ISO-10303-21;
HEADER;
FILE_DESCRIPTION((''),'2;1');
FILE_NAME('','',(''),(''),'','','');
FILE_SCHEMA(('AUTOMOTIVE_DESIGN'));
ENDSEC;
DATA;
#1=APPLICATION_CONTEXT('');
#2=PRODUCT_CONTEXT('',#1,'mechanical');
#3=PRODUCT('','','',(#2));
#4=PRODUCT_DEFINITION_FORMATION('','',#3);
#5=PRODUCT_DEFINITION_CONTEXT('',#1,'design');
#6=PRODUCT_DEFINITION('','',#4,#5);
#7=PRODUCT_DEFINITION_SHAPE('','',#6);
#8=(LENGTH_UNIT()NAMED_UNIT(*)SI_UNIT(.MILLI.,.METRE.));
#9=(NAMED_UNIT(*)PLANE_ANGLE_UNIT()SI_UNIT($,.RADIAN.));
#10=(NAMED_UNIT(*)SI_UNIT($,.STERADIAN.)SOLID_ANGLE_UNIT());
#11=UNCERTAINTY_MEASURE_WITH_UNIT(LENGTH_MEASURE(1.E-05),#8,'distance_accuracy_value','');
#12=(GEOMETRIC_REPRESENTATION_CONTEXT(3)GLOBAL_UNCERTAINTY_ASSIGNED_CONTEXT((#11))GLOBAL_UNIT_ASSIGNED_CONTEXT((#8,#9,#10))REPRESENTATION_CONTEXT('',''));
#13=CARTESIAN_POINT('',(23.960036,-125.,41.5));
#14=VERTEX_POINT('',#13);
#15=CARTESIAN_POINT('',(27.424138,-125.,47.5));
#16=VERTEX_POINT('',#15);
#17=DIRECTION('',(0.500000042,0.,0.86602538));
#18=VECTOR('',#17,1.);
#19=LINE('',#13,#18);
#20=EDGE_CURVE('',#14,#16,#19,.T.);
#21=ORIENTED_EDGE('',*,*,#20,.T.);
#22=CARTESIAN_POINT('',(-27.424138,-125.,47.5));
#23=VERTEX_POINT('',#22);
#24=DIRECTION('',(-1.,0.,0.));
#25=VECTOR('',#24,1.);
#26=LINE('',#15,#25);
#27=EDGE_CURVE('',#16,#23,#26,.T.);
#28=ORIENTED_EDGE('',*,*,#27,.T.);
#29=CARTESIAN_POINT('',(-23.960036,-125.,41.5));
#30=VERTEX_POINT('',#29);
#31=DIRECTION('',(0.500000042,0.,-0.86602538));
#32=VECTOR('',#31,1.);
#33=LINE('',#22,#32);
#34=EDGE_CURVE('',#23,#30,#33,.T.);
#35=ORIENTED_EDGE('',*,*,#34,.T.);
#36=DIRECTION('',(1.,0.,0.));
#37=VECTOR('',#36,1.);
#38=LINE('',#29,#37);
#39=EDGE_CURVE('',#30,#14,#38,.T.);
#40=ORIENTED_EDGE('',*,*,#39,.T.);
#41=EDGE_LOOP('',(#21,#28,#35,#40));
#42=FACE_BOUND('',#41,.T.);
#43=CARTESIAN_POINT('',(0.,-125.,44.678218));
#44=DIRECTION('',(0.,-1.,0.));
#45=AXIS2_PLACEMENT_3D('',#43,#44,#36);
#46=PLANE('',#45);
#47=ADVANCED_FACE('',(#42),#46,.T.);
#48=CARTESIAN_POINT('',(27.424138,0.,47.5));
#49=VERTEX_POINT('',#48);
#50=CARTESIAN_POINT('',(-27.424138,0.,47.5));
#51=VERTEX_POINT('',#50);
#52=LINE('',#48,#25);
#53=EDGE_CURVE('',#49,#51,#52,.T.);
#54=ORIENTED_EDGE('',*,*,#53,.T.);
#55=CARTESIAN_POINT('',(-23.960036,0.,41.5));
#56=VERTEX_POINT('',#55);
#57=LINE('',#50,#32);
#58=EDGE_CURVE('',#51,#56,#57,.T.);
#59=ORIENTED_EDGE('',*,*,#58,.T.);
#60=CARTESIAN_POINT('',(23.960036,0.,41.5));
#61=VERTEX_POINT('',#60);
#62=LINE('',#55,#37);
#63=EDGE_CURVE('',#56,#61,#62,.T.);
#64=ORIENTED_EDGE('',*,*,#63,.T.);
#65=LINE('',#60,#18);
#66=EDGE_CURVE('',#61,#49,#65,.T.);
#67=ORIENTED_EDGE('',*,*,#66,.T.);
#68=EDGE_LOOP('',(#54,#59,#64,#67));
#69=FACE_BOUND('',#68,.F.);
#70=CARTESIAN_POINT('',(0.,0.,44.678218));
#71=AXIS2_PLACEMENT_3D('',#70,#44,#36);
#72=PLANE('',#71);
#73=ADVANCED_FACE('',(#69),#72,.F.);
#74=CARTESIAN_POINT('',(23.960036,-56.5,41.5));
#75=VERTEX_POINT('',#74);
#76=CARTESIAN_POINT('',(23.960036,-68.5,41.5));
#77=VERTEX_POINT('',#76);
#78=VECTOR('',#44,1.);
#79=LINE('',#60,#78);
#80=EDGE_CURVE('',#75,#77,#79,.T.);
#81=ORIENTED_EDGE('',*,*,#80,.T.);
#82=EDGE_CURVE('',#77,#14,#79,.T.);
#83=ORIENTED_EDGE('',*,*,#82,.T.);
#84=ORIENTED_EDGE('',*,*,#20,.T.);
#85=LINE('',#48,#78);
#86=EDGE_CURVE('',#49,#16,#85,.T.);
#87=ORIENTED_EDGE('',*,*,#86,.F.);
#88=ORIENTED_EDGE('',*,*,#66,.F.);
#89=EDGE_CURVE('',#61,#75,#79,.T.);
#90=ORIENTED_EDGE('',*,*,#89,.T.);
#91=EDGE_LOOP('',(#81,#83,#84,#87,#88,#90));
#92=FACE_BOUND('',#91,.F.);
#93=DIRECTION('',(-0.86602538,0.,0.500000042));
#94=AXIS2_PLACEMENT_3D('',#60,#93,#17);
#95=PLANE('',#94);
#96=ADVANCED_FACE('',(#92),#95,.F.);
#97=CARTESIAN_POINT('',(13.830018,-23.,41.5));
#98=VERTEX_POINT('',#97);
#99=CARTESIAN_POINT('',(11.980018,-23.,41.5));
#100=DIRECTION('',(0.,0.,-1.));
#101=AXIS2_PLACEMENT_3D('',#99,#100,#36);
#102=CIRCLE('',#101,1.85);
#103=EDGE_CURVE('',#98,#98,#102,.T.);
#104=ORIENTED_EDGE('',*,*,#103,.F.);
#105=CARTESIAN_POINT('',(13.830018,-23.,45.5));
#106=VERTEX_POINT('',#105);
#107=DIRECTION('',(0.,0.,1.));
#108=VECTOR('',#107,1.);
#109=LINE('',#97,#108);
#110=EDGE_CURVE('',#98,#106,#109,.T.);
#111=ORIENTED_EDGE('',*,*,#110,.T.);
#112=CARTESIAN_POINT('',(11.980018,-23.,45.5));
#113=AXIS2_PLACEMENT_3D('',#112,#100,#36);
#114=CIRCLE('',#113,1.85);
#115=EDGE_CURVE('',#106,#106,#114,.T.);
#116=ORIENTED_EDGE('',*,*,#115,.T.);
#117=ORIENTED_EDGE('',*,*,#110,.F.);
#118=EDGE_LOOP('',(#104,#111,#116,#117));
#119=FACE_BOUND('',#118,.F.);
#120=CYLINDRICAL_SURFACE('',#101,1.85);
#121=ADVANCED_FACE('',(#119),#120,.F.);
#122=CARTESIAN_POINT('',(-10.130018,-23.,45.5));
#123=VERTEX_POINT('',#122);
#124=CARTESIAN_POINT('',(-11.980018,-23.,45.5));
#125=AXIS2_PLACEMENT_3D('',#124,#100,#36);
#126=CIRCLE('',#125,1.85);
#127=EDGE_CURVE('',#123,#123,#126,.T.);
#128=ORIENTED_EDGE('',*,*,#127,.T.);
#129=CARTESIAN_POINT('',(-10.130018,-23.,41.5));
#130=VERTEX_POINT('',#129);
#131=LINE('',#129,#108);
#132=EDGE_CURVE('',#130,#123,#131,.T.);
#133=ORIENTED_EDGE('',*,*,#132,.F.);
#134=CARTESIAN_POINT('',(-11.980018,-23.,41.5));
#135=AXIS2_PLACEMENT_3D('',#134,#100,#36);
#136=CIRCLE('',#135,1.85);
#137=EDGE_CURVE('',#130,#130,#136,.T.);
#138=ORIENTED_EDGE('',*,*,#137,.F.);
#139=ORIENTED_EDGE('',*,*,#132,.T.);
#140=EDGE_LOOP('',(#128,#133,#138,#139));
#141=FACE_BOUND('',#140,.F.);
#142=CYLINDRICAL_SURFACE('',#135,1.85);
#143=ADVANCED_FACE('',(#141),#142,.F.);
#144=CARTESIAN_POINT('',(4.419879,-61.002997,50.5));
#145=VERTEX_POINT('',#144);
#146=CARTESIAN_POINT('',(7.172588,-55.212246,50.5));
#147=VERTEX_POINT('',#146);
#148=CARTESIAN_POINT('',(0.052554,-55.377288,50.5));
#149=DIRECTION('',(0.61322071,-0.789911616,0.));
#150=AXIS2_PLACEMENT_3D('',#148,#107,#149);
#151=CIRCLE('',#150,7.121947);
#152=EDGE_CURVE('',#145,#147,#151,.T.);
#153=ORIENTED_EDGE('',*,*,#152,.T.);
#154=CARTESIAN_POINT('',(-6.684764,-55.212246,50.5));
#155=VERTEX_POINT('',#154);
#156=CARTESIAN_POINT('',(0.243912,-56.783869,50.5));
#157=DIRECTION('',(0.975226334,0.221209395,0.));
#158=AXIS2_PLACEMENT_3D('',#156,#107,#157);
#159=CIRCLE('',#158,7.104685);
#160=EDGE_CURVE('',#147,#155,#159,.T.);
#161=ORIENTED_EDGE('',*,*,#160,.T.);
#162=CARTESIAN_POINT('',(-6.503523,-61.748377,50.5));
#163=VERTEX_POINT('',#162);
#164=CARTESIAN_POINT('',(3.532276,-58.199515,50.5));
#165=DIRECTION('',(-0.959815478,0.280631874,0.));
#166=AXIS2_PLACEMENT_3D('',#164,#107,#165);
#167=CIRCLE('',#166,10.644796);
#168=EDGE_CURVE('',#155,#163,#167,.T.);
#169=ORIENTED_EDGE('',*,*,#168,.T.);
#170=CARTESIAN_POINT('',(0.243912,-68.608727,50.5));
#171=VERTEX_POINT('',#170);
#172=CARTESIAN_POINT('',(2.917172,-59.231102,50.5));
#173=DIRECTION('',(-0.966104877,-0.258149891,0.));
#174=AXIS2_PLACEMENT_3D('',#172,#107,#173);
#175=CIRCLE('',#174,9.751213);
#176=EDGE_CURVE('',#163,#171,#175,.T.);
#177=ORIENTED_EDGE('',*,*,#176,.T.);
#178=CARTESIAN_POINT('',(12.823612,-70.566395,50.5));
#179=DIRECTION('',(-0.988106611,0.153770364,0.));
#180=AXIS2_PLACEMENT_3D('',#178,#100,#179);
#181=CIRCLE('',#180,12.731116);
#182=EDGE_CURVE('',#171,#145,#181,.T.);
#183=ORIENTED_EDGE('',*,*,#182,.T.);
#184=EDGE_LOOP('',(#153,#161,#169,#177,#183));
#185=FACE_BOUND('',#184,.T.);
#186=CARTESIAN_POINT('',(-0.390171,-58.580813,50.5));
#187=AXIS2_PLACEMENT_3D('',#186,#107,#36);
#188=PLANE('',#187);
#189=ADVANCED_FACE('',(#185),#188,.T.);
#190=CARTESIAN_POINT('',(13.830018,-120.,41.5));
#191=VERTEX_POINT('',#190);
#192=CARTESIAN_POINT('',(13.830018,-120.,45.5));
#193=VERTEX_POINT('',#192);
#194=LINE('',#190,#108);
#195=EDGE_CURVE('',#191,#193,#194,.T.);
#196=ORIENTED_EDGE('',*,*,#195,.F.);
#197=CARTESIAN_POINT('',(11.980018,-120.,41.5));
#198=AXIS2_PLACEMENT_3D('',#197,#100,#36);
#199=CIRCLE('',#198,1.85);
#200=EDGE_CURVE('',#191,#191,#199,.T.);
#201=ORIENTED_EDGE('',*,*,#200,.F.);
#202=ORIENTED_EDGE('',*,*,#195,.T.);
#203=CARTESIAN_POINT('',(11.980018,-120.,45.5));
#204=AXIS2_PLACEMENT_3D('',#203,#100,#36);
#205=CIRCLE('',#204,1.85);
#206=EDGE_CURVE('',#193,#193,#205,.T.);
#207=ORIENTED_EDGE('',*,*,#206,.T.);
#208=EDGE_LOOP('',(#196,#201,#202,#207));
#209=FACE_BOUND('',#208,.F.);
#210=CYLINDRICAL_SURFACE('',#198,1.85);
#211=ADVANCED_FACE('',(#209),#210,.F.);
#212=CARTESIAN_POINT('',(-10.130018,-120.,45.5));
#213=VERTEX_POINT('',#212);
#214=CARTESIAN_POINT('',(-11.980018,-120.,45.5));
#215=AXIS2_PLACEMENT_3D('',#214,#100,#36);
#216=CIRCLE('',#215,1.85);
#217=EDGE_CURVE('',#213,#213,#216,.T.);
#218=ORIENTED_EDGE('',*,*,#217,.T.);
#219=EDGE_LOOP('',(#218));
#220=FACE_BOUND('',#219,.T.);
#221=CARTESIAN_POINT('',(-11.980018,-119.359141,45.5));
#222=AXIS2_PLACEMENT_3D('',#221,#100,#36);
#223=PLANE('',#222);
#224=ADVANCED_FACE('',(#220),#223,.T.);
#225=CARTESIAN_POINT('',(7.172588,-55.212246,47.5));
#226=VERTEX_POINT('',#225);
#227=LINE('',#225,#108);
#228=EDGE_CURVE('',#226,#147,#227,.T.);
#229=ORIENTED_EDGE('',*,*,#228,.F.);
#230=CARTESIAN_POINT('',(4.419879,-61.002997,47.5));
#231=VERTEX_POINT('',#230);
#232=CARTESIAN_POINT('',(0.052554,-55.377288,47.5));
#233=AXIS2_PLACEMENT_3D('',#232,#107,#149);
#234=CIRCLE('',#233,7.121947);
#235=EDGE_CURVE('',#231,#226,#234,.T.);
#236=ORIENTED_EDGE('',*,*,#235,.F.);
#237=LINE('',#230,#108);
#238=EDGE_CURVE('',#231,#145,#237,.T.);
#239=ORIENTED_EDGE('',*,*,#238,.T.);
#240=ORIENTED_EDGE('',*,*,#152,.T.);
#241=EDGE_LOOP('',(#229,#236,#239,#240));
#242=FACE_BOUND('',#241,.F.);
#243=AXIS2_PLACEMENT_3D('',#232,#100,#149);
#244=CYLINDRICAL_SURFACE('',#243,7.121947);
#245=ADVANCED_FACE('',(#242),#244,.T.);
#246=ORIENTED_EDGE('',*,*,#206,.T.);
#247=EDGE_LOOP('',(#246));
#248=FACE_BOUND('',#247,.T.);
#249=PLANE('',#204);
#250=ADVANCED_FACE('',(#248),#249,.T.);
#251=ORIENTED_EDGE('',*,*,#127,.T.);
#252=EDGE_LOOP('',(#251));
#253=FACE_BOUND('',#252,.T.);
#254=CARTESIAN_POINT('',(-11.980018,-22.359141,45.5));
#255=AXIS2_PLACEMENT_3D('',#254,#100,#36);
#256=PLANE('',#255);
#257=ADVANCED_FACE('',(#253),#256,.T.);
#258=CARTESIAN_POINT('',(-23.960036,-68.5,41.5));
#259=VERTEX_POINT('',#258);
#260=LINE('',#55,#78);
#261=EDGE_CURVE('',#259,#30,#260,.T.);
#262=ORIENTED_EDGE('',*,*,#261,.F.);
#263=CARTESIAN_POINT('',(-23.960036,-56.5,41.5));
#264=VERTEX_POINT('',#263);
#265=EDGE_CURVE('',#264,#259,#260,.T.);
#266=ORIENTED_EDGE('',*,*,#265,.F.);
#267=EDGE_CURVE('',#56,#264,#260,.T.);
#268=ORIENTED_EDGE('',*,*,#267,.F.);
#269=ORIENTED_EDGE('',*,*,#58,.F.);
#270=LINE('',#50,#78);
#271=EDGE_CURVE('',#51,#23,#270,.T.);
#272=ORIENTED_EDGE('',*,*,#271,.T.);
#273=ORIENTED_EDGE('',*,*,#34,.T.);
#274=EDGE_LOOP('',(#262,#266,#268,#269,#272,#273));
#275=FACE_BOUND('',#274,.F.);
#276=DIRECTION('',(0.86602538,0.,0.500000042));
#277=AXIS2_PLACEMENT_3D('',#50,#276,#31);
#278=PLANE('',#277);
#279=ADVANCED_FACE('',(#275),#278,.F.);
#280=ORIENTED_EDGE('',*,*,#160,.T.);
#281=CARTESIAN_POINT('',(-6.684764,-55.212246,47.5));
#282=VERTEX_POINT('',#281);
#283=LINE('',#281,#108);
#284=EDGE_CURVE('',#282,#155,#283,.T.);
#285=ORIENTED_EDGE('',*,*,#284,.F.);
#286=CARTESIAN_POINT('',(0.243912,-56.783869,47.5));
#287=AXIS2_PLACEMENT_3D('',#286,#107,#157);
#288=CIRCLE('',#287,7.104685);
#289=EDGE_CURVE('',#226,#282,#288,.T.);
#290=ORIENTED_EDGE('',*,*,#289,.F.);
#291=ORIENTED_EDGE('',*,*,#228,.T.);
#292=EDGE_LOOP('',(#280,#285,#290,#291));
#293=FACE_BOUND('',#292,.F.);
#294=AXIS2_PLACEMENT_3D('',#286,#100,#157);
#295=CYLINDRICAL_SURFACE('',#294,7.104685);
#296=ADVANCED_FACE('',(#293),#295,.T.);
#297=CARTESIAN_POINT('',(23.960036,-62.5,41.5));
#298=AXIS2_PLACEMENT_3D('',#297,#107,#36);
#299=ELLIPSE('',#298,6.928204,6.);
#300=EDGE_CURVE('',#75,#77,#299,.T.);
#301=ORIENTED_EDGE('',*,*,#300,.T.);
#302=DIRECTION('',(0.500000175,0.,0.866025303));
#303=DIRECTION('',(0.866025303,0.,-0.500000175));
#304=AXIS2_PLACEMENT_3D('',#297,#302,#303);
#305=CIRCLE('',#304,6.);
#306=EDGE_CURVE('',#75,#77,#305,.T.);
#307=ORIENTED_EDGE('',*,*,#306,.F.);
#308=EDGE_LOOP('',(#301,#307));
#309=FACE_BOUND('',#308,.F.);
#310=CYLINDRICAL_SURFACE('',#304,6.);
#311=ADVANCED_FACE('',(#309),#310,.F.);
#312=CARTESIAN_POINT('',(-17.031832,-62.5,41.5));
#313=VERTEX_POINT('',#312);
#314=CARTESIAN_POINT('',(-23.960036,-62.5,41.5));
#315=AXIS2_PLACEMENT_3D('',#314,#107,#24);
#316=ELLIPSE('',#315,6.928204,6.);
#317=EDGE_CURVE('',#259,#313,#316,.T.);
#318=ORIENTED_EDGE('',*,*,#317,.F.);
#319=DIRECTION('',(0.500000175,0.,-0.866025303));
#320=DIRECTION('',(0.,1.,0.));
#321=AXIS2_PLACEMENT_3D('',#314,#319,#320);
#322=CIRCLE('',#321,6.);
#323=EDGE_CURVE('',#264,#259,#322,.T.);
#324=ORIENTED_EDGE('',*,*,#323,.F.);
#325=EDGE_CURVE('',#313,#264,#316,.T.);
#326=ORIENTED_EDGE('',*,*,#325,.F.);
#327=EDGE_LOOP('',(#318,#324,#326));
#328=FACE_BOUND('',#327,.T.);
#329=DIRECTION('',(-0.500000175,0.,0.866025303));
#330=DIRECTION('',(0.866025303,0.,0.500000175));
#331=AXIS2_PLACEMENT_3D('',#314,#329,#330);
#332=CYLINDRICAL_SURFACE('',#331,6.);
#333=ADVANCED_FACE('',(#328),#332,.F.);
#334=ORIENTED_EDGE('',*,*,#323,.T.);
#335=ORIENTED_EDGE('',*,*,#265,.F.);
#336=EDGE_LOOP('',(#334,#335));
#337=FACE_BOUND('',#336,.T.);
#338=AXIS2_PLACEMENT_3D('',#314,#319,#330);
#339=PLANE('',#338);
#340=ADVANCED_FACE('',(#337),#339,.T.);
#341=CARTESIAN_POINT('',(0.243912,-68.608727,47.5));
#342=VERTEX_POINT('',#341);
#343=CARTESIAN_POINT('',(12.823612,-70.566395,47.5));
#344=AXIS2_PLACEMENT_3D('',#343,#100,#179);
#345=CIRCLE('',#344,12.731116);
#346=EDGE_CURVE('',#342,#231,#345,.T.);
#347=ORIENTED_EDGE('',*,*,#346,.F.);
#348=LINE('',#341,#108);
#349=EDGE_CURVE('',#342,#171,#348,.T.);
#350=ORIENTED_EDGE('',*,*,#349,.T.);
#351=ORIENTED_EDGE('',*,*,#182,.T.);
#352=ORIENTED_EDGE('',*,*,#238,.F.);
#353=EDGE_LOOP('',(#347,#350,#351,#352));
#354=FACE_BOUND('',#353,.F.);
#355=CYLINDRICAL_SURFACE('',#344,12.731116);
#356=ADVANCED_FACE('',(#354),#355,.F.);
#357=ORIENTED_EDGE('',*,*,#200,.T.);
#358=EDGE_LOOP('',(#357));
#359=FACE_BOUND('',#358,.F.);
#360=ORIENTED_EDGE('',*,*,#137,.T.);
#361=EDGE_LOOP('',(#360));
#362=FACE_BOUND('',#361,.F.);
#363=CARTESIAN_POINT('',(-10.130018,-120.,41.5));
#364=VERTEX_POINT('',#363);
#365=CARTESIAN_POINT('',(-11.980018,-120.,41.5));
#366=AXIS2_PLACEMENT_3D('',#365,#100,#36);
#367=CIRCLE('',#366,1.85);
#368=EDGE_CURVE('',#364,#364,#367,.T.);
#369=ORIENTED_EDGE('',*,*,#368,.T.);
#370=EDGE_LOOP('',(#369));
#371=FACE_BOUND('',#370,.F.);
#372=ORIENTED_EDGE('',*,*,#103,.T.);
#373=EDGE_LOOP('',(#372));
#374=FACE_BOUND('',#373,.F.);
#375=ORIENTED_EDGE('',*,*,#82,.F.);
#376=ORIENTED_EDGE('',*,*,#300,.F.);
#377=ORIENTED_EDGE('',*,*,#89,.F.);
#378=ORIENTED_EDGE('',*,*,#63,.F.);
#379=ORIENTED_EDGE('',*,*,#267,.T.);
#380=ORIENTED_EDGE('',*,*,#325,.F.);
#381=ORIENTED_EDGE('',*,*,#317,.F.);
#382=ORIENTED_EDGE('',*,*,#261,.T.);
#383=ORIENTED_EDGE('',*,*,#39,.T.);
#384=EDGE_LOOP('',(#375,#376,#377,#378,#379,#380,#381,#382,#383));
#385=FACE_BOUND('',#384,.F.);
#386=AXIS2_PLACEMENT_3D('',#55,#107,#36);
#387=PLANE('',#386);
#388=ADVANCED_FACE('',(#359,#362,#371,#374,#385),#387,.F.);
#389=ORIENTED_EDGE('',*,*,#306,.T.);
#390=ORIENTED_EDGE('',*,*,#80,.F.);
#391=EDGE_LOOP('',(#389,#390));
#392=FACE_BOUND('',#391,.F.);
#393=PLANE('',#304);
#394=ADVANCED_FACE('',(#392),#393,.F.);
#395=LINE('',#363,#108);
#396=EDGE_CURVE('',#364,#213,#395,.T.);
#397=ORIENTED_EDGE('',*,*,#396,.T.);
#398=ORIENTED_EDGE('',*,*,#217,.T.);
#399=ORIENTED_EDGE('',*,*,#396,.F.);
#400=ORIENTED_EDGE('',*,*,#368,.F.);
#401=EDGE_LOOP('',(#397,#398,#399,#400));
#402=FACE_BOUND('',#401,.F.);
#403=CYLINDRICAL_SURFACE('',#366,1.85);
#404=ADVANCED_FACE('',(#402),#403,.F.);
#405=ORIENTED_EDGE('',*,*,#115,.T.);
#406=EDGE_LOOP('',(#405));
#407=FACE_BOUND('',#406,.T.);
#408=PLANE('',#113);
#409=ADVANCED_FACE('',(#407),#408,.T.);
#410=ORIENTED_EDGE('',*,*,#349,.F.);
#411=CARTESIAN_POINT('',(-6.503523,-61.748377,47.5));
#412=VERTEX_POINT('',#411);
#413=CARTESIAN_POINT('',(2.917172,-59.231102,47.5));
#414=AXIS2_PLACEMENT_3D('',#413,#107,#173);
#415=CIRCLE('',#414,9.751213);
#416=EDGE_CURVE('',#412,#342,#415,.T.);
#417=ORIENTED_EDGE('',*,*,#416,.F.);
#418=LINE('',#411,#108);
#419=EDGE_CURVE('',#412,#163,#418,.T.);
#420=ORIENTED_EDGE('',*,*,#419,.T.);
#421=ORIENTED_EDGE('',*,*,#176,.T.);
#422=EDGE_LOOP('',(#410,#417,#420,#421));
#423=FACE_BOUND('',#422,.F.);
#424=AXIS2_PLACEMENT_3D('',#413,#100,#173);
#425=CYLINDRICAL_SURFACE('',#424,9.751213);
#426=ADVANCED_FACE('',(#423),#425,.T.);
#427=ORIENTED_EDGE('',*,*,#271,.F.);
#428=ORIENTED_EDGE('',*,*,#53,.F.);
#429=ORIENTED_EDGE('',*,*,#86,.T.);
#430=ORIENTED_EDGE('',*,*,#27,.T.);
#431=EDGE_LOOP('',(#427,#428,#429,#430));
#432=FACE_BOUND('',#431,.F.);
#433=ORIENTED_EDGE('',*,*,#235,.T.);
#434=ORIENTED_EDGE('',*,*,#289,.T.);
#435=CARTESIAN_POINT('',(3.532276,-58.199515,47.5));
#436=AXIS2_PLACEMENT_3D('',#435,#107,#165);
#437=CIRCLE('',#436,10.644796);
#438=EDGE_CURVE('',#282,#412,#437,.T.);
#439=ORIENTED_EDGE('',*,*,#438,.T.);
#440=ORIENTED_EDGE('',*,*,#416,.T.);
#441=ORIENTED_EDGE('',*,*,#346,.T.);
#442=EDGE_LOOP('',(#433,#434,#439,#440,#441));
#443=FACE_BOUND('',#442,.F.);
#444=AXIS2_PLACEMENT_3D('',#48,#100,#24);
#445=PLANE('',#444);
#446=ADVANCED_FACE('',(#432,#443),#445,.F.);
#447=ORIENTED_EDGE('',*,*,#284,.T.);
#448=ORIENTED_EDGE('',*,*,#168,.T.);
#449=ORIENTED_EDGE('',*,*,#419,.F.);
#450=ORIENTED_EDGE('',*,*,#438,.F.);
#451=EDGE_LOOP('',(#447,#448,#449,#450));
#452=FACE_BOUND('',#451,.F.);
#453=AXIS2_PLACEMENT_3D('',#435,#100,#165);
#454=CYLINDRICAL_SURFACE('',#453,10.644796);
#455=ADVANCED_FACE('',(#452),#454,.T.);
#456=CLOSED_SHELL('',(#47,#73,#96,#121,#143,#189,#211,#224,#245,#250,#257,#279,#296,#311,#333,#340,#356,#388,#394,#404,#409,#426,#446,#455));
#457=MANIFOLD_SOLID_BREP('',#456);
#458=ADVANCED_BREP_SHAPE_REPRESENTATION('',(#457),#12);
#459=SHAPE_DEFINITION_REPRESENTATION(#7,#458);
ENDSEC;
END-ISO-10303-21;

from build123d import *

# Parameters (mm, degrees)
F1_DEPTH  = 125
F2_R      = 1.85
F3_DEPTH  = 4
F5_DEPTH  = 3
F7_R      = 6
F8_DEPTH  = 25
F10_R     = 6
F11_DEPTH = 25


with BuildPart() as f1:
    # F0 (on Front) → F1 (new body)
    with BuildSketch(Plane.XZ):
        Polygon((27.424138, 47.5), (-27.424138, 47.5), (-23.960036, 41.5), (23.960036, 41.5), align=None)
    extrude(amount=F1_DEPTH)

    # F2 (on face) → F3 (cut)
    with BuildSketch(Plane(origin=(0, 0, 41.5), x_dir=(1, 0, 0), z_dir=(0, 0, -1))):
        with BuildLine():
            ThreePointArc((-13.830018, 120), (-11.980018, 118.15), (-10.130018, 120))
            Line((-10.130018, 120), (-13.830018, 120))
        make_face()
        with BuildLine():
            Line((-13.830018, 120), (-10.130018, 120))
            ThreePointArc((-10.130018, 120), (-11.980018, 121.85), (-13.830018, 120))
        make_face()
        with Locations((11.980018, 120)):
            Circle(F2_R)
        with BuildLine():
            ThreePointArc((-13.830018, 23), (-11.980018, 21.15), (-10.130018, 23))
            Line((-10.130018, 23), (-13.830018, 23))
        make_face()
        with BuildLine():
            Line((-13.830018, 23), (-10.130018, 23))
            ThreePointArc((-10.130018, 23), (-11.980018, 24.85), (-13.830018, 23))
        make_face()
        with Locations((11.980018, 23)):
            Circle(F2_R)
    extrude(amount=-F3_DEPTH, mode=Mode.SUBTRACT)

    # F4 (on face) → F5 (join)
    with BuildSketch(Plane.XY.offset(47.5)):
        with BuildLine():
            ThreePointArc((4.419879, -61.002997), (6.484743, -58.434913), (7.172588, -55.212246))
            ThreePointArc((7.172588, -55.212246), (0.243912, -49.679184), (-6.684764, -55.212246))
            ThreePointArc((-6.684764, -55.212246), (-7.10843, -58.494572), (-6.503523, -61.748377))
            ThreePointArc((-6.503523, -61.748377), (-4.034953, -66.068801), (0.243912, -68.608727))
            ThreePointArc((0.243912, -68.608727), (1.663957, -64.439127), (4.419879, -61.002997))
        make_face()
    extrude(amount=F5_DEPTH)

    # F7 (on face) → F8 (cut)
    with BuildSketch(Plane(origin=(-23.960036, 0, 41.5), x_dir=(0.866025, 0, 0.5), z_dir=(0.5, 0, -0.866025))):
        with Locations((0, 62.5)):
            Circle(F7_R)
    extrude(amount=F8_DEPTH, mode=Mode.SUBTRACT)

    # F10 (on face) → F11 (cut)
    with BuildSketch(Plane(origin=(23.960036, 0, 41.5), x_dir=(0.866025, 0, -0.5), z_dir=(0.5, 0, 0.866025))):
        with Locations((0, -62.5)):
            Circle(F10_R)
    extrude(amount=-F11_DEPTH, mode=Mode.SUBTRACT)


solid = f1.part
